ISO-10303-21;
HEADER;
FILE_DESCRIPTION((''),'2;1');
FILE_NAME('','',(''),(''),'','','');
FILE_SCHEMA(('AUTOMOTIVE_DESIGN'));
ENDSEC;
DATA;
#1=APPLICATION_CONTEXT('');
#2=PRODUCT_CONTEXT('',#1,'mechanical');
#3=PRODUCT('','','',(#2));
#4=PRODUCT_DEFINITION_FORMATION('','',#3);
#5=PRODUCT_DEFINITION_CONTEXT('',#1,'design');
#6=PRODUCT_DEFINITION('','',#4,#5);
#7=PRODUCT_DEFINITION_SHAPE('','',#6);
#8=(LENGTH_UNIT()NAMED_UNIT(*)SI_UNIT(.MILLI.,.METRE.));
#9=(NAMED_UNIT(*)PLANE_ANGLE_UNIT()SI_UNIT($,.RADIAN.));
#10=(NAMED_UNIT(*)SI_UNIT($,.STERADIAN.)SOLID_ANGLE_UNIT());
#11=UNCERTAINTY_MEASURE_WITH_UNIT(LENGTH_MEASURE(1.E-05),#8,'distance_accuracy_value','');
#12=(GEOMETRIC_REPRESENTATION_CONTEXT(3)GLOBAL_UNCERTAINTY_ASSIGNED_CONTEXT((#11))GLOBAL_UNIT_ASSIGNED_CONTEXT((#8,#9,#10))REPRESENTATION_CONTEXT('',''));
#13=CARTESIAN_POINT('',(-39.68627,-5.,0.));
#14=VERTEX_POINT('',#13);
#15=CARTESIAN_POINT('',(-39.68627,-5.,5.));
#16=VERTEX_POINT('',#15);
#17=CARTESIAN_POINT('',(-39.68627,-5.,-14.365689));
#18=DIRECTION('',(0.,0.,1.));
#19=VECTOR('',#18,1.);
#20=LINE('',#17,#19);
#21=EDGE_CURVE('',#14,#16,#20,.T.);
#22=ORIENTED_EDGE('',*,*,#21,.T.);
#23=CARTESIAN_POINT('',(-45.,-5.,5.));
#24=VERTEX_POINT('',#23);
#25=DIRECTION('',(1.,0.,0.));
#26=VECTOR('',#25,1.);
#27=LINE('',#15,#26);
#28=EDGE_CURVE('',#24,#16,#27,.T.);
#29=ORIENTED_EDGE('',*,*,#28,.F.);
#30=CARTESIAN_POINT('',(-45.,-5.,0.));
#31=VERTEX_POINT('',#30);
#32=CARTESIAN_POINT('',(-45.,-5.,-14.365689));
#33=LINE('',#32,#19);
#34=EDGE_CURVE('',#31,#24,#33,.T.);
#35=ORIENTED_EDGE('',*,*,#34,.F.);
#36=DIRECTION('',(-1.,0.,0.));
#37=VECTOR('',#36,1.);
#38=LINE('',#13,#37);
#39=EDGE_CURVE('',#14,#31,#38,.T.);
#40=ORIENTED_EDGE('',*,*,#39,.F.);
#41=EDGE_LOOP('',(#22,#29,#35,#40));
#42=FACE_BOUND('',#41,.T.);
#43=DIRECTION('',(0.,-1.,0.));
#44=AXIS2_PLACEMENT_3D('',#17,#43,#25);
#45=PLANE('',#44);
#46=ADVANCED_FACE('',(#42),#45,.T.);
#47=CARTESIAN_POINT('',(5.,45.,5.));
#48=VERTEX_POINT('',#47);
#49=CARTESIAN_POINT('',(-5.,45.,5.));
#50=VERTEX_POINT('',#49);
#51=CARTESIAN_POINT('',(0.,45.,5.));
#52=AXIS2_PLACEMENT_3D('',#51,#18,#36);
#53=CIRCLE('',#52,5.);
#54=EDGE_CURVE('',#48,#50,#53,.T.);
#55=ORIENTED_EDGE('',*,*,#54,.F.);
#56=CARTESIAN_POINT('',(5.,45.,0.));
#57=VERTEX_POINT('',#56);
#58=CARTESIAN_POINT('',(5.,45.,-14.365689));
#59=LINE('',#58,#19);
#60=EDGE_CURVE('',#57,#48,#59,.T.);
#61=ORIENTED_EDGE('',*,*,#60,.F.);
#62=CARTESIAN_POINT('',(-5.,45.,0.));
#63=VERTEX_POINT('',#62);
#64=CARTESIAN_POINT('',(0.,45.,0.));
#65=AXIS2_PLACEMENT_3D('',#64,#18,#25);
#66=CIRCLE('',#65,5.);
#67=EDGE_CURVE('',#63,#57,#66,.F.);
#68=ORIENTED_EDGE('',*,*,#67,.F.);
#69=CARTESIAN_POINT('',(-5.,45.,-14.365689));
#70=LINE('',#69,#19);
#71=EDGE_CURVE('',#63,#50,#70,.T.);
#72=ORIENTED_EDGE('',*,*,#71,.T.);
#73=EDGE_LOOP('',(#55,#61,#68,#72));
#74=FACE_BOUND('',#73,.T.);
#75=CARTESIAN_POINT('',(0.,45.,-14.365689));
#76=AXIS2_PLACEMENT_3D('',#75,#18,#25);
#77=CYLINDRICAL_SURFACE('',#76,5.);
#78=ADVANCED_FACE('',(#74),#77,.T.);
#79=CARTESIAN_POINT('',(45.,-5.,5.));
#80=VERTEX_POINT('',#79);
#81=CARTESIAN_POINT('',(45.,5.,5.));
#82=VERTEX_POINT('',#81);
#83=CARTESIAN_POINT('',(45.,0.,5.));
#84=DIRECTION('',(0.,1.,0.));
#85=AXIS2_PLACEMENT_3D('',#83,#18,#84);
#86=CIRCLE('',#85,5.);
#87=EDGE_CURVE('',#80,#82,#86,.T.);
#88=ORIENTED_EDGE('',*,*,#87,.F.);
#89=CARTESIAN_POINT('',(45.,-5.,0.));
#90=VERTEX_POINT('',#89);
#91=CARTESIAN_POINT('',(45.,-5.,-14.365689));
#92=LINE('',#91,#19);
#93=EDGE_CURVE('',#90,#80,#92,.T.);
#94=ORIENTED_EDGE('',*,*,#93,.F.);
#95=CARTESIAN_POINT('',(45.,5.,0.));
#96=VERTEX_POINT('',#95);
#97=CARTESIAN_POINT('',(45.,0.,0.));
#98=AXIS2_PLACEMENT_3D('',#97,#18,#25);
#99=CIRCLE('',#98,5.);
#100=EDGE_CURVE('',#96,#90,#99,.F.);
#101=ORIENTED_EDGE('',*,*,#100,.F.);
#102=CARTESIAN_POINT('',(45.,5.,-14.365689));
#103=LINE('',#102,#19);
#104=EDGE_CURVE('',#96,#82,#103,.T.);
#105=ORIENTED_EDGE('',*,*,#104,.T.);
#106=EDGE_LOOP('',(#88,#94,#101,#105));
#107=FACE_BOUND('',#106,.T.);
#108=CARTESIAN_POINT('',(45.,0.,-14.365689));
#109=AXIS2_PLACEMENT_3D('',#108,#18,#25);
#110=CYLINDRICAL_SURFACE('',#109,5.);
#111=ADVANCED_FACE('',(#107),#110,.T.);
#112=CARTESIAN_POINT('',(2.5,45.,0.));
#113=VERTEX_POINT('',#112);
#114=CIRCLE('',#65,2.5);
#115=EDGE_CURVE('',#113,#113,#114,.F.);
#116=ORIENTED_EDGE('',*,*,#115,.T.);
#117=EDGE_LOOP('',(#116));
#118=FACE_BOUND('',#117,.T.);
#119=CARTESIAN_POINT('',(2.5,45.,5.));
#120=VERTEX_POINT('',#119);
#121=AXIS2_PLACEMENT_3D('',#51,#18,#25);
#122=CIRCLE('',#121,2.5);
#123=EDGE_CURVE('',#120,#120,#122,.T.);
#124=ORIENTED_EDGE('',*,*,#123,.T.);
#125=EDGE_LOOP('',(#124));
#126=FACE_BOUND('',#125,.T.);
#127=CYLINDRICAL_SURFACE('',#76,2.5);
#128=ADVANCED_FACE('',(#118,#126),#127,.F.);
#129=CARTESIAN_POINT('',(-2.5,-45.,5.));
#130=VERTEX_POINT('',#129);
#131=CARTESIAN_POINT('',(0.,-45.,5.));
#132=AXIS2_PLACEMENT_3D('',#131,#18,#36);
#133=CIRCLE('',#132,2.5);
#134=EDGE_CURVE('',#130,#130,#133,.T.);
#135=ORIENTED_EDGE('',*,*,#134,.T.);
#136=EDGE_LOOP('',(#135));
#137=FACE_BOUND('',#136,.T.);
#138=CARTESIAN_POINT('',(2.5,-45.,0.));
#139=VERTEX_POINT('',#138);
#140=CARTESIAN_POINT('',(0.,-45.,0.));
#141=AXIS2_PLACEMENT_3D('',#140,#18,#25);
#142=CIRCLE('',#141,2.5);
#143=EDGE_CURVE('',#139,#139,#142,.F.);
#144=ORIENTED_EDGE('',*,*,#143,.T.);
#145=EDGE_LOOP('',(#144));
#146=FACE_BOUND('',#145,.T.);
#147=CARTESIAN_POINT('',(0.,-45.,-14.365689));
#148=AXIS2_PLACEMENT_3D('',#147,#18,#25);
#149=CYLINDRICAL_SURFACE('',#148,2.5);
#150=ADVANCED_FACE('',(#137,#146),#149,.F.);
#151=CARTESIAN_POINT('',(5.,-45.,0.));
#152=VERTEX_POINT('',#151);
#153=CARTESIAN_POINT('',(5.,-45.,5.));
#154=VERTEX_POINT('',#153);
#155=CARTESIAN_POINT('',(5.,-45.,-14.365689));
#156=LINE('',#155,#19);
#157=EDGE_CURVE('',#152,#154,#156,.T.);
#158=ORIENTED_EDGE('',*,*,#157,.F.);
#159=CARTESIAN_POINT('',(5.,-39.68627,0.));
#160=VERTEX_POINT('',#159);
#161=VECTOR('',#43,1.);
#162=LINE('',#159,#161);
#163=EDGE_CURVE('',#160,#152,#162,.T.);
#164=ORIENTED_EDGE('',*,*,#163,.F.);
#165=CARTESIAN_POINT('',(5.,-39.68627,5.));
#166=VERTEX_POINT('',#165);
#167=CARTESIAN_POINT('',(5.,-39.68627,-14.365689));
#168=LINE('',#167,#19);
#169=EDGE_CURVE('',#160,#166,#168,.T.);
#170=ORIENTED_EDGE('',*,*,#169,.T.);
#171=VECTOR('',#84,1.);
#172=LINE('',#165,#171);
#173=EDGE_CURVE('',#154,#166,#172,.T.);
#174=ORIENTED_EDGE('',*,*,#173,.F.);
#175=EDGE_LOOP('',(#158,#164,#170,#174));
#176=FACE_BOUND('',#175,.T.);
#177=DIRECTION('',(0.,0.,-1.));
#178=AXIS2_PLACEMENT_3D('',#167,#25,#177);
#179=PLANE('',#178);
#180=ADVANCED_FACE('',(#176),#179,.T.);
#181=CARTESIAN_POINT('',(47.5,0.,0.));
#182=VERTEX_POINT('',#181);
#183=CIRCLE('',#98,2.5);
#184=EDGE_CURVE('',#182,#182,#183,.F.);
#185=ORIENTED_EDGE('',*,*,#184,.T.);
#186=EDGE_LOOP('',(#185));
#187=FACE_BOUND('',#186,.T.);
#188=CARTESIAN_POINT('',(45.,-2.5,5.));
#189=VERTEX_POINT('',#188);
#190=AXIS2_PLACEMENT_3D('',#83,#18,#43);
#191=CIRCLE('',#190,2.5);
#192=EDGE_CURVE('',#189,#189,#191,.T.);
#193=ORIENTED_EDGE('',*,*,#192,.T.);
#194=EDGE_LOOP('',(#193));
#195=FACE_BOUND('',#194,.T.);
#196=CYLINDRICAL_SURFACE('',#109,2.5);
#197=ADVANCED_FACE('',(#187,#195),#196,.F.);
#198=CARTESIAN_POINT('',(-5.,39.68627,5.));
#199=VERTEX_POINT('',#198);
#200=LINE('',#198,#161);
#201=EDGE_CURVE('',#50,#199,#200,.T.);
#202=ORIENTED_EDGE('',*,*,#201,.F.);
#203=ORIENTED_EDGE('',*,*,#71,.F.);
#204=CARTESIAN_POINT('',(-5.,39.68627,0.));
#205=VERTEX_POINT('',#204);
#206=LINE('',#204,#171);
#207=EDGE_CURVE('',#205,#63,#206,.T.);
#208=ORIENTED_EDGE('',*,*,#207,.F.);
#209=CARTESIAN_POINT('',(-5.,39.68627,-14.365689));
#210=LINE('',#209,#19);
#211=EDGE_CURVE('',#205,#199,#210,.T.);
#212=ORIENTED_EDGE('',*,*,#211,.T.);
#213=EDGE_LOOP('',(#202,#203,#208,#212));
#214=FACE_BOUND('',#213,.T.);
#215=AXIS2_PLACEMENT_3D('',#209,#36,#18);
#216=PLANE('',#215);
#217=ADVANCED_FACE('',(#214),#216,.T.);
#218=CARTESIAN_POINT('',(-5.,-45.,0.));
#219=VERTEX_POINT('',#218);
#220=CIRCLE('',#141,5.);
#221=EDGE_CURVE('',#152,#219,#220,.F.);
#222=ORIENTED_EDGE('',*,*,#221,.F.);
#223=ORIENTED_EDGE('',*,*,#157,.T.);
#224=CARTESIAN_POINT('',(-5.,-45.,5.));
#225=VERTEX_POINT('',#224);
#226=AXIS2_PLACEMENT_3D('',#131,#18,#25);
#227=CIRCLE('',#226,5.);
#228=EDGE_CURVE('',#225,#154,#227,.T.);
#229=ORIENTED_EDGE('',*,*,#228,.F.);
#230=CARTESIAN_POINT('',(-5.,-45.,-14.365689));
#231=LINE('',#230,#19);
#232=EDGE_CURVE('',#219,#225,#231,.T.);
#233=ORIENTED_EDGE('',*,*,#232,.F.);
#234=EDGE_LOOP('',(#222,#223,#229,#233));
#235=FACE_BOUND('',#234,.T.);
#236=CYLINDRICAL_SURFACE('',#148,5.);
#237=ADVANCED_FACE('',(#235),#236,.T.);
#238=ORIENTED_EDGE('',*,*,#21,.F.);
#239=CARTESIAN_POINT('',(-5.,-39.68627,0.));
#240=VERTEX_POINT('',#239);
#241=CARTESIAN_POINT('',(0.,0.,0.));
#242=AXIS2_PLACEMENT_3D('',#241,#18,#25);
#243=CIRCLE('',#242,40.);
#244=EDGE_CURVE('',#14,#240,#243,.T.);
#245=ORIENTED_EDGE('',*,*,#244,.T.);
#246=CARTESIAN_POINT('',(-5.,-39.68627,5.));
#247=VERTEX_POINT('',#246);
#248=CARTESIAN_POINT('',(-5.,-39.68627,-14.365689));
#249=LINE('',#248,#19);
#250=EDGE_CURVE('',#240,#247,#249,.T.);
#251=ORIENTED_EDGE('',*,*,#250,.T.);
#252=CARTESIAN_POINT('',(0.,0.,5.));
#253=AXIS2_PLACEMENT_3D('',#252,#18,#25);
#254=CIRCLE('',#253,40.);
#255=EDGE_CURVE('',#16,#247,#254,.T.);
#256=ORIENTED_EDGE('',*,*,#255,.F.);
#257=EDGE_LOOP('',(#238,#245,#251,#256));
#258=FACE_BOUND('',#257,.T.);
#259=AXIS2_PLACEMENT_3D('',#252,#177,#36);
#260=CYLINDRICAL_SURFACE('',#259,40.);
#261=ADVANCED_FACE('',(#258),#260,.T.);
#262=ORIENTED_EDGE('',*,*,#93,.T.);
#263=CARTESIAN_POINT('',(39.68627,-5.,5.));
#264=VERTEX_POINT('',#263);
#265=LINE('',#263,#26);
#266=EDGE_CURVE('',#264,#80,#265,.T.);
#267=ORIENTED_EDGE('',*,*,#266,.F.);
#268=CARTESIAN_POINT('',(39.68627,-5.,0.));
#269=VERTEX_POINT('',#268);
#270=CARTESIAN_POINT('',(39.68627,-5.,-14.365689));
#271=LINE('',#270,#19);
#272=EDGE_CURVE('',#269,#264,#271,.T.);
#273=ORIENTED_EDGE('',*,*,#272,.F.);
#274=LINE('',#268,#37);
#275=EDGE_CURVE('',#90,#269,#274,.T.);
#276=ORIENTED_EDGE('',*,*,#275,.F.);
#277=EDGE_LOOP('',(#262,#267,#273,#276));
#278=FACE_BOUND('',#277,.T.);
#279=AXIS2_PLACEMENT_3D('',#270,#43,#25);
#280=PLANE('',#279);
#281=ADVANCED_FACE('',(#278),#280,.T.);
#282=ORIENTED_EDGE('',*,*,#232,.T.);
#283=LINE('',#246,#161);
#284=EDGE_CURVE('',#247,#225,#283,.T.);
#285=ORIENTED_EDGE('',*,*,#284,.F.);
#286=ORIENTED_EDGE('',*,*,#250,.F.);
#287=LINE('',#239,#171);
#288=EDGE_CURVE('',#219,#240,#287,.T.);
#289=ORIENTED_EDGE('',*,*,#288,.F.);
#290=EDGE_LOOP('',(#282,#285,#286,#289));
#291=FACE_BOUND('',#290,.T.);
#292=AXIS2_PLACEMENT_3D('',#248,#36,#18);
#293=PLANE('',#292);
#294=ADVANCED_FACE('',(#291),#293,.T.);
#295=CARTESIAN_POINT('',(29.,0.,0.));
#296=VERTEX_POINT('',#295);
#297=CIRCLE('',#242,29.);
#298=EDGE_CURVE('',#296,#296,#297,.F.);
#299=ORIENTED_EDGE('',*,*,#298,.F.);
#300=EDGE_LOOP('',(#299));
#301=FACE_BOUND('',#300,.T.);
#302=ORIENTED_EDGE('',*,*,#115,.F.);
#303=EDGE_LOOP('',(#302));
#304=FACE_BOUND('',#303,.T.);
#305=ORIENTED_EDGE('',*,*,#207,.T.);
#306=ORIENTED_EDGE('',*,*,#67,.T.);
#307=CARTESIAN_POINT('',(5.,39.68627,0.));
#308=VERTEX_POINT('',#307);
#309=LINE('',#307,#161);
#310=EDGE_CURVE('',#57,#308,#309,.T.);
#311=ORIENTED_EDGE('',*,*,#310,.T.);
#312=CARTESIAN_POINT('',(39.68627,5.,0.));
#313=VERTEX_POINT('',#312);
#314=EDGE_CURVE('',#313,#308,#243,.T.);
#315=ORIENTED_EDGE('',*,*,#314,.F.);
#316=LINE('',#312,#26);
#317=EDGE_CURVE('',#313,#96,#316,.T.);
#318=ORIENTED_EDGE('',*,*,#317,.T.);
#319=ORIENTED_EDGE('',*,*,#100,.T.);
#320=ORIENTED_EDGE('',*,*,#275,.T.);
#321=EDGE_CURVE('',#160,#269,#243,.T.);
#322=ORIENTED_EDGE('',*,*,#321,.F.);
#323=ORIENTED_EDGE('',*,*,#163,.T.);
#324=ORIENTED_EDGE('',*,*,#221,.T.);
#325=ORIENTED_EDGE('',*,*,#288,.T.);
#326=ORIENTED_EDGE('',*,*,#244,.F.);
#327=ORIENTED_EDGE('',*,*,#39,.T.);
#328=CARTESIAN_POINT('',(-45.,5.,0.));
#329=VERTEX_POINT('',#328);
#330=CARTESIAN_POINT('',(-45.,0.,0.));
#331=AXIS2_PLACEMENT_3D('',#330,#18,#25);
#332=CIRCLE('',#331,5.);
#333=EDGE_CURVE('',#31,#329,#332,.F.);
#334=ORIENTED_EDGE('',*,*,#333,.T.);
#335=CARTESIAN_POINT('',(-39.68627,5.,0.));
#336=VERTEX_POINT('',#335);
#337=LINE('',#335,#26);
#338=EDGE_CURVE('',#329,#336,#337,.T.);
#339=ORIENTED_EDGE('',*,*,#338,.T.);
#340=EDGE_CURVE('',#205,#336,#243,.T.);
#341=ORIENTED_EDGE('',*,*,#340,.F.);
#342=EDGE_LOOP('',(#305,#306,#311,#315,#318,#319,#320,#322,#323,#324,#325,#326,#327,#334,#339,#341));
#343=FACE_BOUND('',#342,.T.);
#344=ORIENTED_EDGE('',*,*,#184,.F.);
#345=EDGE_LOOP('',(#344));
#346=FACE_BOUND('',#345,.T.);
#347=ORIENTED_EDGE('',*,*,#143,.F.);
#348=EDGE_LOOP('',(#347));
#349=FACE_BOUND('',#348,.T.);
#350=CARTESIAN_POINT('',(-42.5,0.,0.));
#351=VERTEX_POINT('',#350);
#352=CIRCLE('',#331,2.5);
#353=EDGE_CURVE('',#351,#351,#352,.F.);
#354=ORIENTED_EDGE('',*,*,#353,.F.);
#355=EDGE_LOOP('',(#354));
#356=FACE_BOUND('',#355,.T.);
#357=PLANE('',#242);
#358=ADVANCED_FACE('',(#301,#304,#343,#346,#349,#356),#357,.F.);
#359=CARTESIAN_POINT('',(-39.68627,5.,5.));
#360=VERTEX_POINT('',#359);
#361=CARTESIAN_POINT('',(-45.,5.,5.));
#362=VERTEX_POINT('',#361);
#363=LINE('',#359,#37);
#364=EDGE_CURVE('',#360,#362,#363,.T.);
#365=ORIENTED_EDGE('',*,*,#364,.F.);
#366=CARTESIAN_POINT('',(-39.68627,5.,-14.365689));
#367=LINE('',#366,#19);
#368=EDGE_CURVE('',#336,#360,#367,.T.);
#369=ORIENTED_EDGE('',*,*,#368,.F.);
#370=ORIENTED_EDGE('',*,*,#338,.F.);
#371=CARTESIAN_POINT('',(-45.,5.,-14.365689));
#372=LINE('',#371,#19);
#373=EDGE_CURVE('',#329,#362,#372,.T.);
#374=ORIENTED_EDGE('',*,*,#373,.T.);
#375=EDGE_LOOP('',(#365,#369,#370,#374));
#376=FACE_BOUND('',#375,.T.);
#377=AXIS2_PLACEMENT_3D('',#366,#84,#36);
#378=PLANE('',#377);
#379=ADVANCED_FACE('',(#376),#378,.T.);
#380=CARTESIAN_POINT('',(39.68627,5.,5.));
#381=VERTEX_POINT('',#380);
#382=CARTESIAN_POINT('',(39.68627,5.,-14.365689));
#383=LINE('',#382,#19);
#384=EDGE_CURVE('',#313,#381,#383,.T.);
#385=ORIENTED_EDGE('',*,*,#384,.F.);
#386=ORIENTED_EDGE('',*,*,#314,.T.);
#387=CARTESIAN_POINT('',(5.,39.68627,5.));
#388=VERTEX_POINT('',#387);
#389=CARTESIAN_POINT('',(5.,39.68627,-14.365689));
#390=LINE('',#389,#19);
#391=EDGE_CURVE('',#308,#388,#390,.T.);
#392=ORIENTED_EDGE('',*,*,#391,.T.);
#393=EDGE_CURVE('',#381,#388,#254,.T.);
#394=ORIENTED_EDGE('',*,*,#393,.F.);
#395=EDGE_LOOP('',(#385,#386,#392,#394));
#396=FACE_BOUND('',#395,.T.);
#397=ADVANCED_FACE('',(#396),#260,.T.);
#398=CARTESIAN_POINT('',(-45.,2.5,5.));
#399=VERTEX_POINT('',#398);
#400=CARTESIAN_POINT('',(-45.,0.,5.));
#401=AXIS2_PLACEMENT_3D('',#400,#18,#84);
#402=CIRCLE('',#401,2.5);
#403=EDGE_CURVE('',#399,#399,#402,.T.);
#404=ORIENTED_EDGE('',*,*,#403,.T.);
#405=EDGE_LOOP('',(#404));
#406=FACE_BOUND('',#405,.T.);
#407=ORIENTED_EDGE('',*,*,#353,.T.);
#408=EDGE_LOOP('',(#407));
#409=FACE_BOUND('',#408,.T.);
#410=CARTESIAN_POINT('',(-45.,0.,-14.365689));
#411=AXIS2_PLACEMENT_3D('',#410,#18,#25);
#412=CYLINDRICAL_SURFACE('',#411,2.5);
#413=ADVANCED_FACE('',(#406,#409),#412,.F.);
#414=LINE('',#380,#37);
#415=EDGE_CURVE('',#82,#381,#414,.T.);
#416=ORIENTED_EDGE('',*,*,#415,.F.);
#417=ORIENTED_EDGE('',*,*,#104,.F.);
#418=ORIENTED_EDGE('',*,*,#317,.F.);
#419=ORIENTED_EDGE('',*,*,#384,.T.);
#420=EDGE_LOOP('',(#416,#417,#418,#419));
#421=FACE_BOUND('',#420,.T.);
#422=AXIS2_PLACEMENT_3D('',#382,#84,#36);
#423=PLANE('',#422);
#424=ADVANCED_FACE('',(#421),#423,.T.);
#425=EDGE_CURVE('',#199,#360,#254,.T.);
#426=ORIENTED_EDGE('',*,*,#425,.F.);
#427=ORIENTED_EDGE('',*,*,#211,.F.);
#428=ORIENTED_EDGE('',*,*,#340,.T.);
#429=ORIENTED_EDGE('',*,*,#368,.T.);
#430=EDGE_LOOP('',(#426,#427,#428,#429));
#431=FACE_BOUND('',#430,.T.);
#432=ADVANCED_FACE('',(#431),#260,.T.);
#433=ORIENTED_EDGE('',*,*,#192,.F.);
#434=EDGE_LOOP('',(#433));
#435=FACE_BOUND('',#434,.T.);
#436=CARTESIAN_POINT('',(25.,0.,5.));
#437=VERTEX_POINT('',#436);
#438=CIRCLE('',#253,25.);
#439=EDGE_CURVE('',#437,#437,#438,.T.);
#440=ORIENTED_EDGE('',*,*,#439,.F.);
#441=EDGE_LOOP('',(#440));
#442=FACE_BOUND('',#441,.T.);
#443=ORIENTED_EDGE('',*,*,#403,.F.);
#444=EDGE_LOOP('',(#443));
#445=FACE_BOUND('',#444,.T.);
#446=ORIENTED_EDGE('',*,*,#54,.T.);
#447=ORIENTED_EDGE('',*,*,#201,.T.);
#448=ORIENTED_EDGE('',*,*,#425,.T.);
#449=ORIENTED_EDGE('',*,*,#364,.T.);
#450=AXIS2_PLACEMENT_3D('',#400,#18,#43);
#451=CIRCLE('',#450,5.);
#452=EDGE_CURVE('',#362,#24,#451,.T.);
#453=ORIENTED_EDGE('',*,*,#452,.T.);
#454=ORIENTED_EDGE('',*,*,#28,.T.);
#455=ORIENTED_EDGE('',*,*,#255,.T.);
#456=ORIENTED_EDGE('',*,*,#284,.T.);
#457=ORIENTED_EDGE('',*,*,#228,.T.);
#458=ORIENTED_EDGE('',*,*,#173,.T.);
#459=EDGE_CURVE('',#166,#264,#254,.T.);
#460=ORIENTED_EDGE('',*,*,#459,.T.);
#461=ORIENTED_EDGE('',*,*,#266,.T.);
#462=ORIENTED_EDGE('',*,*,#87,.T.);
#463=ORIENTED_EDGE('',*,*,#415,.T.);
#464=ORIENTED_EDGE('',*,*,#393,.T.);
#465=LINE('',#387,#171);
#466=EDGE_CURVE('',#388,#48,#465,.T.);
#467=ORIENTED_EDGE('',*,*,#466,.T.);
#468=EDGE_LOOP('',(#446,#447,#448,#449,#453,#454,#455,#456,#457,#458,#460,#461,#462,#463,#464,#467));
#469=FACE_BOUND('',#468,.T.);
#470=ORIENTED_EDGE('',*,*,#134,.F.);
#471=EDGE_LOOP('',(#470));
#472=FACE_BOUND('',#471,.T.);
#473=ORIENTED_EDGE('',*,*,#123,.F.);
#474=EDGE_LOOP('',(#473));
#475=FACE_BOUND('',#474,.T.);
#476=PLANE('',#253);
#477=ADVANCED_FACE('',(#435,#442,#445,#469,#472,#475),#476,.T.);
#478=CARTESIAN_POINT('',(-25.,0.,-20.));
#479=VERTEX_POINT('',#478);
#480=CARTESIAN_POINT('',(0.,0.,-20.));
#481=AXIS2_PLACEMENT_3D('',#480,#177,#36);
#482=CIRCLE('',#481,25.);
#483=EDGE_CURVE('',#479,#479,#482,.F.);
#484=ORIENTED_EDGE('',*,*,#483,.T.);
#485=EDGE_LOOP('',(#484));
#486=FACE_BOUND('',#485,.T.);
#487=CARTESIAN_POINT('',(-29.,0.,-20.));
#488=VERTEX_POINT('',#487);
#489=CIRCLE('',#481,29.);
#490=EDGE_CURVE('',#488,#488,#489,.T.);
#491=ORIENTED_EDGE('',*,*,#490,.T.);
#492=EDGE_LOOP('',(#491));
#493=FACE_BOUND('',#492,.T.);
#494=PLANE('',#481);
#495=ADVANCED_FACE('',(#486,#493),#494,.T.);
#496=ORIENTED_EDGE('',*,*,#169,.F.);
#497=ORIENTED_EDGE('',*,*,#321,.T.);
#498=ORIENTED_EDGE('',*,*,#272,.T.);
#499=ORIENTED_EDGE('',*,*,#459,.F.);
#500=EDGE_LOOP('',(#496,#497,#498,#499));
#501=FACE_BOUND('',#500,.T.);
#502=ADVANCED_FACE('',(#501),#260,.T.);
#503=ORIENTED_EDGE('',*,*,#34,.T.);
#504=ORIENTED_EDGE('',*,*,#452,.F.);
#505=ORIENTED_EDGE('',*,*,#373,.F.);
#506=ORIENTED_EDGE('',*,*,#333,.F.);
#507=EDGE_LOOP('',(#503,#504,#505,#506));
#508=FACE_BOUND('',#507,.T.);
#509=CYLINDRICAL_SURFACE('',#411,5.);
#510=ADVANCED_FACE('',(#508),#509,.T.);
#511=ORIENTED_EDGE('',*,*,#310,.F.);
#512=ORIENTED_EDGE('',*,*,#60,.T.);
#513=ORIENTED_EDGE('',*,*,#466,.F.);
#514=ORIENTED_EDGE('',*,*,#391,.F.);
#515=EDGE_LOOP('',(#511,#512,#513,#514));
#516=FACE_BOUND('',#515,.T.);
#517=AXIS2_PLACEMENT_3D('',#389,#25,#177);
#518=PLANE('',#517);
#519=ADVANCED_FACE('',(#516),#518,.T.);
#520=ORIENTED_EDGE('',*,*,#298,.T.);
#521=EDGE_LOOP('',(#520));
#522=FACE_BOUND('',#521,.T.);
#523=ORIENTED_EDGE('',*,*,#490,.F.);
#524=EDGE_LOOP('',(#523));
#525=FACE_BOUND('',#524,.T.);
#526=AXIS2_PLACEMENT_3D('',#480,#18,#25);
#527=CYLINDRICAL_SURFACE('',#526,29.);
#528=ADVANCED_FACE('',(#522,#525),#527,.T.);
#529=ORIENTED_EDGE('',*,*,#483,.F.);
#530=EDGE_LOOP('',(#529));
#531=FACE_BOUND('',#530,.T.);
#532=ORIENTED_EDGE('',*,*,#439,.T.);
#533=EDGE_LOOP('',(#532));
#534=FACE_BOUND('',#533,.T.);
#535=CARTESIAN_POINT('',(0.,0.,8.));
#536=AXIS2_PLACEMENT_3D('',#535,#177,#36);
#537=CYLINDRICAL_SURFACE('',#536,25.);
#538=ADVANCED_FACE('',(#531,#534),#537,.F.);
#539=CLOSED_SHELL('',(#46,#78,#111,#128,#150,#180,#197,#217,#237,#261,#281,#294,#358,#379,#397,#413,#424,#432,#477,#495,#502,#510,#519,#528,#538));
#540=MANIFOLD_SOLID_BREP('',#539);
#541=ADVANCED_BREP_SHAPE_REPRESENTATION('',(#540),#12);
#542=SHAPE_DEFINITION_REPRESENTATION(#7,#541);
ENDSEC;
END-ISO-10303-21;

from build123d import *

# Parameters (mm, degrees)
SKETCH2_R           = 40
BOSS_EXTRUDE2_DEPTH = 5
SKETCH3_R           = 25
CUT_EXTRUDE2_DEPTH  = 8
BOSS_EXTRUDE3_START = 20
SKETCH4_R           = 29
SKETCH4_R_2         = 25
BOSS_EXTRUDE3_DEPTH = 20
BOSS_EXTRUDE4_START = -5
SKETCH5_R           = 2.5
BOSS_EXTRUDE4_DEPTH = 5
CIRPATTERN1_COUNT   = 4


with BuildPart() as part:
    # Sketch2 → Boss-Extrude2 (new body)
    with BuildSketch(Plane.XY):
        Circle(SKETCH2_R)
    extrude(amount=BOSS_EXTRUDE2_DEPTH)

    # Sketch3 → Cut-Extrude2 (cut)
    with BuildSketch(Plane(origin=(0, 0, 0), x_dir=(-1, 0, 0), z_dir=(0, 0, -1))):
        Circle(SKETCH3_R)
    extrude(amount=-CUT_EXTRUDE2_DEPTH, mode=Mode.SUBTRACT)

    # Sketch4 → Boss-Extrude3 (add)
    with BuildSketch(Plane(origin=(0, 0, 0), x_dir=(-1, 0, 0), z_dir=(0, 0, -1)).offset(BOSS_EXTRUDE3_START)):
        with Locations(Location((0, 0, 0), (0, 0, 180))):
            Circle(SKETCH4_R)
        Circle(SKETCH4_R_2, mode=Mode.SUBTRACT)
    extrude(amount=-BOSS_EXTRUDE3_DEPTH)

    # Sketch5 → Boss-Extrude4 (add)
    with BuildSketch(Plane.XY.offset(5).offset(BOSS_EXTRUDE4_START)):
        with BuildLine():
            Line((-5, 39.686269666), (-5, 45))
            ThreePointArc((-5, 45), (0, 50), (5, 45))
            Line((5, 45), (5, 39.686269666))
            ThreePointArc((5, 39.686269666), (0, 40), (-5, 39.686269666))
        make_face()
        with Locations((0, 45)):
            Circle(SKETCH5_R, mode=Mode.SUBTRACT)
    boss_extrude4 = extrude(amount=BOSS_EXTRUDE4_DEPTH)

    # CirPattern1: Boss-Extrude4 ×4 about axis
    cirpattern1_axis = Axis((0, 0, 0), (0, 0, 1))
    for i in range(1, CIRPATTERN1_COUNT):
        add(boss_extrude4.rotate(cirpattern1_axis, i * 360 / CIRPATTERN1_COUNT))


solid = part.part
